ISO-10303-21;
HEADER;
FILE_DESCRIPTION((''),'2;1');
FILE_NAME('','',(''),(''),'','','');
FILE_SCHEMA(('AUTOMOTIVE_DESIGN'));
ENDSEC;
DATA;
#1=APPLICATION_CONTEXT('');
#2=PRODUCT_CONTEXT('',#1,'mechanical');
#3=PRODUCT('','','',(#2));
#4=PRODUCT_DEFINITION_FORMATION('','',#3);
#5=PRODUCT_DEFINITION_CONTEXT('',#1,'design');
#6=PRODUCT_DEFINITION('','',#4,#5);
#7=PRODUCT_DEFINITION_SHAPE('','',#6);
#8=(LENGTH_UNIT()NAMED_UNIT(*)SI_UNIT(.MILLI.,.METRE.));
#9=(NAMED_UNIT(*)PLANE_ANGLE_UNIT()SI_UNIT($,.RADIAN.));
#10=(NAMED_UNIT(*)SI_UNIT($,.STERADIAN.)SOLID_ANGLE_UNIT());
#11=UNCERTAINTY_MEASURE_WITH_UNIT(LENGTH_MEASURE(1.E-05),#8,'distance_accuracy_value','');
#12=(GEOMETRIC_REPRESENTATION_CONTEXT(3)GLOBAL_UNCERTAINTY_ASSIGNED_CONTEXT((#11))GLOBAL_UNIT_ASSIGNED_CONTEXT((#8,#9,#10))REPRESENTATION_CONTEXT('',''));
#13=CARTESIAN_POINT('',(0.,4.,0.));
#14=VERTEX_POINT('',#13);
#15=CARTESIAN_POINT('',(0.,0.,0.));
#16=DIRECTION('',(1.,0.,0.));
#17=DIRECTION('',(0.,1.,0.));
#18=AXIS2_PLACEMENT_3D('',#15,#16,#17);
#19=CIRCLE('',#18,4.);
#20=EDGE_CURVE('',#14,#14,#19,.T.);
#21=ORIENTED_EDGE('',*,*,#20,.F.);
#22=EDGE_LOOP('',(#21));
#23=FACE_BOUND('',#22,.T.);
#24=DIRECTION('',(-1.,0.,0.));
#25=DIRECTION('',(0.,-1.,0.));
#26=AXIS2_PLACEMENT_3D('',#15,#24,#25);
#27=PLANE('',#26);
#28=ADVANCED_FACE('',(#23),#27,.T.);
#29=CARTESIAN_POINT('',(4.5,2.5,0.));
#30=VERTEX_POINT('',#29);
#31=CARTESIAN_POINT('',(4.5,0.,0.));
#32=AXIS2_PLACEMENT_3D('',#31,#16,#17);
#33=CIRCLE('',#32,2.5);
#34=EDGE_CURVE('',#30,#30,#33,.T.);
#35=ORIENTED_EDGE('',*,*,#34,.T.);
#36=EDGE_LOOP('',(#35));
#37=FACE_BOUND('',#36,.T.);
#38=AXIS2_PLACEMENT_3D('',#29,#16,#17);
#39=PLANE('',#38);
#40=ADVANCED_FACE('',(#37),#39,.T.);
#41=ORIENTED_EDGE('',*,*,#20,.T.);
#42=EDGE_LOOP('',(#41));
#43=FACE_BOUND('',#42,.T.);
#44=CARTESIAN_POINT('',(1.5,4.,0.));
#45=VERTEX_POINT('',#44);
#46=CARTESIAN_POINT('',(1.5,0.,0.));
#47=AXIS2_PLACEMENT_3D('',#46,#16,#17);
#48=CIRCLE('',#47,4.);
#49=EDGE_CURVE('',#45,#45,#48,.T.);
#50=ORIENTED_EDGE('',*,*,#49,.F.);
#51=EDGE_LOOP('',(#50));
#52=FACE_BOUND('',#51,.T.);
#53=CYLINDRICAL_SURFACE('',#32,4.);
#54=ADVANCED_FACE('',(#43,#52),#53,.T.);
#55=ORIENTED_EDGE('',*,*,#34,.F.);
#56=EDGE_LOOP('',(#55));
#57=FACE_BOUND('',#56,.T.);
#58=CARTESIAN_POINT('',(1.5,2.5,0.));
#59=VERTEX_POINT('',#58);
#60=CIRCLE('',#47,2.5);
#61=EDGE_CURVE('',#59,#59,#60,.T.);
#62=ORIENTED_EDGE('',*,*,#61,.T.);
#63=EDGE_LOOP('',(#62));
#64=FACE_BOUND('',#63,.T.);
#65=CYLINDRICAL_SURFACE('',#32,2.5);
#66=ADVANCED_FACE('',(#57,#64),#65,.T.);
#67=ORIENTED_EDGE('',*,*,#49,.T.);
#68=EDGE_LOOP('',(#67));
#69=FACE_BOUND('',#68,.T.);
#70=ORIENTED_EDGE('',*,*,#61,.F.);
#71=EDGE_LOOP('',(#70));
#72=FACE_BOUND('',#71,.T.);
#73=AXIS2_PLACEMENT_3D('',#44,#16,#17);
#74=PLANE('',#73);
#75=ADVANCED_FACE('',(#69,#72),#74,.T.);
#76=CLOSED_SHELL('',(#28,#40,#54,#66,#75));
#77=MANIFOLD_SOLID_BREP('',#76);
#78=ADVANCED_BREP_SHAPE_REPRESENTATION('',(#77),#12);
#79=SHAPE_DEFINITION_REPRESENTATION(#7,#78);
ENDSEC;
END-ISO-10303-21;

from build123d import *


with BuildPart() as part:
    # Esquisse1 → Révolution1 (revolve)
    with BuildSketch(Plane.XY):
        Polygon((0, 0), (0, 4), (1.5, 4), (1.5, 2.5), (4.5, 2.5), (4.5, 0), align=None)
    revolve(axis=Axis((4.5, 0, 0), (-1, 0, 0)))


solid = part.part
